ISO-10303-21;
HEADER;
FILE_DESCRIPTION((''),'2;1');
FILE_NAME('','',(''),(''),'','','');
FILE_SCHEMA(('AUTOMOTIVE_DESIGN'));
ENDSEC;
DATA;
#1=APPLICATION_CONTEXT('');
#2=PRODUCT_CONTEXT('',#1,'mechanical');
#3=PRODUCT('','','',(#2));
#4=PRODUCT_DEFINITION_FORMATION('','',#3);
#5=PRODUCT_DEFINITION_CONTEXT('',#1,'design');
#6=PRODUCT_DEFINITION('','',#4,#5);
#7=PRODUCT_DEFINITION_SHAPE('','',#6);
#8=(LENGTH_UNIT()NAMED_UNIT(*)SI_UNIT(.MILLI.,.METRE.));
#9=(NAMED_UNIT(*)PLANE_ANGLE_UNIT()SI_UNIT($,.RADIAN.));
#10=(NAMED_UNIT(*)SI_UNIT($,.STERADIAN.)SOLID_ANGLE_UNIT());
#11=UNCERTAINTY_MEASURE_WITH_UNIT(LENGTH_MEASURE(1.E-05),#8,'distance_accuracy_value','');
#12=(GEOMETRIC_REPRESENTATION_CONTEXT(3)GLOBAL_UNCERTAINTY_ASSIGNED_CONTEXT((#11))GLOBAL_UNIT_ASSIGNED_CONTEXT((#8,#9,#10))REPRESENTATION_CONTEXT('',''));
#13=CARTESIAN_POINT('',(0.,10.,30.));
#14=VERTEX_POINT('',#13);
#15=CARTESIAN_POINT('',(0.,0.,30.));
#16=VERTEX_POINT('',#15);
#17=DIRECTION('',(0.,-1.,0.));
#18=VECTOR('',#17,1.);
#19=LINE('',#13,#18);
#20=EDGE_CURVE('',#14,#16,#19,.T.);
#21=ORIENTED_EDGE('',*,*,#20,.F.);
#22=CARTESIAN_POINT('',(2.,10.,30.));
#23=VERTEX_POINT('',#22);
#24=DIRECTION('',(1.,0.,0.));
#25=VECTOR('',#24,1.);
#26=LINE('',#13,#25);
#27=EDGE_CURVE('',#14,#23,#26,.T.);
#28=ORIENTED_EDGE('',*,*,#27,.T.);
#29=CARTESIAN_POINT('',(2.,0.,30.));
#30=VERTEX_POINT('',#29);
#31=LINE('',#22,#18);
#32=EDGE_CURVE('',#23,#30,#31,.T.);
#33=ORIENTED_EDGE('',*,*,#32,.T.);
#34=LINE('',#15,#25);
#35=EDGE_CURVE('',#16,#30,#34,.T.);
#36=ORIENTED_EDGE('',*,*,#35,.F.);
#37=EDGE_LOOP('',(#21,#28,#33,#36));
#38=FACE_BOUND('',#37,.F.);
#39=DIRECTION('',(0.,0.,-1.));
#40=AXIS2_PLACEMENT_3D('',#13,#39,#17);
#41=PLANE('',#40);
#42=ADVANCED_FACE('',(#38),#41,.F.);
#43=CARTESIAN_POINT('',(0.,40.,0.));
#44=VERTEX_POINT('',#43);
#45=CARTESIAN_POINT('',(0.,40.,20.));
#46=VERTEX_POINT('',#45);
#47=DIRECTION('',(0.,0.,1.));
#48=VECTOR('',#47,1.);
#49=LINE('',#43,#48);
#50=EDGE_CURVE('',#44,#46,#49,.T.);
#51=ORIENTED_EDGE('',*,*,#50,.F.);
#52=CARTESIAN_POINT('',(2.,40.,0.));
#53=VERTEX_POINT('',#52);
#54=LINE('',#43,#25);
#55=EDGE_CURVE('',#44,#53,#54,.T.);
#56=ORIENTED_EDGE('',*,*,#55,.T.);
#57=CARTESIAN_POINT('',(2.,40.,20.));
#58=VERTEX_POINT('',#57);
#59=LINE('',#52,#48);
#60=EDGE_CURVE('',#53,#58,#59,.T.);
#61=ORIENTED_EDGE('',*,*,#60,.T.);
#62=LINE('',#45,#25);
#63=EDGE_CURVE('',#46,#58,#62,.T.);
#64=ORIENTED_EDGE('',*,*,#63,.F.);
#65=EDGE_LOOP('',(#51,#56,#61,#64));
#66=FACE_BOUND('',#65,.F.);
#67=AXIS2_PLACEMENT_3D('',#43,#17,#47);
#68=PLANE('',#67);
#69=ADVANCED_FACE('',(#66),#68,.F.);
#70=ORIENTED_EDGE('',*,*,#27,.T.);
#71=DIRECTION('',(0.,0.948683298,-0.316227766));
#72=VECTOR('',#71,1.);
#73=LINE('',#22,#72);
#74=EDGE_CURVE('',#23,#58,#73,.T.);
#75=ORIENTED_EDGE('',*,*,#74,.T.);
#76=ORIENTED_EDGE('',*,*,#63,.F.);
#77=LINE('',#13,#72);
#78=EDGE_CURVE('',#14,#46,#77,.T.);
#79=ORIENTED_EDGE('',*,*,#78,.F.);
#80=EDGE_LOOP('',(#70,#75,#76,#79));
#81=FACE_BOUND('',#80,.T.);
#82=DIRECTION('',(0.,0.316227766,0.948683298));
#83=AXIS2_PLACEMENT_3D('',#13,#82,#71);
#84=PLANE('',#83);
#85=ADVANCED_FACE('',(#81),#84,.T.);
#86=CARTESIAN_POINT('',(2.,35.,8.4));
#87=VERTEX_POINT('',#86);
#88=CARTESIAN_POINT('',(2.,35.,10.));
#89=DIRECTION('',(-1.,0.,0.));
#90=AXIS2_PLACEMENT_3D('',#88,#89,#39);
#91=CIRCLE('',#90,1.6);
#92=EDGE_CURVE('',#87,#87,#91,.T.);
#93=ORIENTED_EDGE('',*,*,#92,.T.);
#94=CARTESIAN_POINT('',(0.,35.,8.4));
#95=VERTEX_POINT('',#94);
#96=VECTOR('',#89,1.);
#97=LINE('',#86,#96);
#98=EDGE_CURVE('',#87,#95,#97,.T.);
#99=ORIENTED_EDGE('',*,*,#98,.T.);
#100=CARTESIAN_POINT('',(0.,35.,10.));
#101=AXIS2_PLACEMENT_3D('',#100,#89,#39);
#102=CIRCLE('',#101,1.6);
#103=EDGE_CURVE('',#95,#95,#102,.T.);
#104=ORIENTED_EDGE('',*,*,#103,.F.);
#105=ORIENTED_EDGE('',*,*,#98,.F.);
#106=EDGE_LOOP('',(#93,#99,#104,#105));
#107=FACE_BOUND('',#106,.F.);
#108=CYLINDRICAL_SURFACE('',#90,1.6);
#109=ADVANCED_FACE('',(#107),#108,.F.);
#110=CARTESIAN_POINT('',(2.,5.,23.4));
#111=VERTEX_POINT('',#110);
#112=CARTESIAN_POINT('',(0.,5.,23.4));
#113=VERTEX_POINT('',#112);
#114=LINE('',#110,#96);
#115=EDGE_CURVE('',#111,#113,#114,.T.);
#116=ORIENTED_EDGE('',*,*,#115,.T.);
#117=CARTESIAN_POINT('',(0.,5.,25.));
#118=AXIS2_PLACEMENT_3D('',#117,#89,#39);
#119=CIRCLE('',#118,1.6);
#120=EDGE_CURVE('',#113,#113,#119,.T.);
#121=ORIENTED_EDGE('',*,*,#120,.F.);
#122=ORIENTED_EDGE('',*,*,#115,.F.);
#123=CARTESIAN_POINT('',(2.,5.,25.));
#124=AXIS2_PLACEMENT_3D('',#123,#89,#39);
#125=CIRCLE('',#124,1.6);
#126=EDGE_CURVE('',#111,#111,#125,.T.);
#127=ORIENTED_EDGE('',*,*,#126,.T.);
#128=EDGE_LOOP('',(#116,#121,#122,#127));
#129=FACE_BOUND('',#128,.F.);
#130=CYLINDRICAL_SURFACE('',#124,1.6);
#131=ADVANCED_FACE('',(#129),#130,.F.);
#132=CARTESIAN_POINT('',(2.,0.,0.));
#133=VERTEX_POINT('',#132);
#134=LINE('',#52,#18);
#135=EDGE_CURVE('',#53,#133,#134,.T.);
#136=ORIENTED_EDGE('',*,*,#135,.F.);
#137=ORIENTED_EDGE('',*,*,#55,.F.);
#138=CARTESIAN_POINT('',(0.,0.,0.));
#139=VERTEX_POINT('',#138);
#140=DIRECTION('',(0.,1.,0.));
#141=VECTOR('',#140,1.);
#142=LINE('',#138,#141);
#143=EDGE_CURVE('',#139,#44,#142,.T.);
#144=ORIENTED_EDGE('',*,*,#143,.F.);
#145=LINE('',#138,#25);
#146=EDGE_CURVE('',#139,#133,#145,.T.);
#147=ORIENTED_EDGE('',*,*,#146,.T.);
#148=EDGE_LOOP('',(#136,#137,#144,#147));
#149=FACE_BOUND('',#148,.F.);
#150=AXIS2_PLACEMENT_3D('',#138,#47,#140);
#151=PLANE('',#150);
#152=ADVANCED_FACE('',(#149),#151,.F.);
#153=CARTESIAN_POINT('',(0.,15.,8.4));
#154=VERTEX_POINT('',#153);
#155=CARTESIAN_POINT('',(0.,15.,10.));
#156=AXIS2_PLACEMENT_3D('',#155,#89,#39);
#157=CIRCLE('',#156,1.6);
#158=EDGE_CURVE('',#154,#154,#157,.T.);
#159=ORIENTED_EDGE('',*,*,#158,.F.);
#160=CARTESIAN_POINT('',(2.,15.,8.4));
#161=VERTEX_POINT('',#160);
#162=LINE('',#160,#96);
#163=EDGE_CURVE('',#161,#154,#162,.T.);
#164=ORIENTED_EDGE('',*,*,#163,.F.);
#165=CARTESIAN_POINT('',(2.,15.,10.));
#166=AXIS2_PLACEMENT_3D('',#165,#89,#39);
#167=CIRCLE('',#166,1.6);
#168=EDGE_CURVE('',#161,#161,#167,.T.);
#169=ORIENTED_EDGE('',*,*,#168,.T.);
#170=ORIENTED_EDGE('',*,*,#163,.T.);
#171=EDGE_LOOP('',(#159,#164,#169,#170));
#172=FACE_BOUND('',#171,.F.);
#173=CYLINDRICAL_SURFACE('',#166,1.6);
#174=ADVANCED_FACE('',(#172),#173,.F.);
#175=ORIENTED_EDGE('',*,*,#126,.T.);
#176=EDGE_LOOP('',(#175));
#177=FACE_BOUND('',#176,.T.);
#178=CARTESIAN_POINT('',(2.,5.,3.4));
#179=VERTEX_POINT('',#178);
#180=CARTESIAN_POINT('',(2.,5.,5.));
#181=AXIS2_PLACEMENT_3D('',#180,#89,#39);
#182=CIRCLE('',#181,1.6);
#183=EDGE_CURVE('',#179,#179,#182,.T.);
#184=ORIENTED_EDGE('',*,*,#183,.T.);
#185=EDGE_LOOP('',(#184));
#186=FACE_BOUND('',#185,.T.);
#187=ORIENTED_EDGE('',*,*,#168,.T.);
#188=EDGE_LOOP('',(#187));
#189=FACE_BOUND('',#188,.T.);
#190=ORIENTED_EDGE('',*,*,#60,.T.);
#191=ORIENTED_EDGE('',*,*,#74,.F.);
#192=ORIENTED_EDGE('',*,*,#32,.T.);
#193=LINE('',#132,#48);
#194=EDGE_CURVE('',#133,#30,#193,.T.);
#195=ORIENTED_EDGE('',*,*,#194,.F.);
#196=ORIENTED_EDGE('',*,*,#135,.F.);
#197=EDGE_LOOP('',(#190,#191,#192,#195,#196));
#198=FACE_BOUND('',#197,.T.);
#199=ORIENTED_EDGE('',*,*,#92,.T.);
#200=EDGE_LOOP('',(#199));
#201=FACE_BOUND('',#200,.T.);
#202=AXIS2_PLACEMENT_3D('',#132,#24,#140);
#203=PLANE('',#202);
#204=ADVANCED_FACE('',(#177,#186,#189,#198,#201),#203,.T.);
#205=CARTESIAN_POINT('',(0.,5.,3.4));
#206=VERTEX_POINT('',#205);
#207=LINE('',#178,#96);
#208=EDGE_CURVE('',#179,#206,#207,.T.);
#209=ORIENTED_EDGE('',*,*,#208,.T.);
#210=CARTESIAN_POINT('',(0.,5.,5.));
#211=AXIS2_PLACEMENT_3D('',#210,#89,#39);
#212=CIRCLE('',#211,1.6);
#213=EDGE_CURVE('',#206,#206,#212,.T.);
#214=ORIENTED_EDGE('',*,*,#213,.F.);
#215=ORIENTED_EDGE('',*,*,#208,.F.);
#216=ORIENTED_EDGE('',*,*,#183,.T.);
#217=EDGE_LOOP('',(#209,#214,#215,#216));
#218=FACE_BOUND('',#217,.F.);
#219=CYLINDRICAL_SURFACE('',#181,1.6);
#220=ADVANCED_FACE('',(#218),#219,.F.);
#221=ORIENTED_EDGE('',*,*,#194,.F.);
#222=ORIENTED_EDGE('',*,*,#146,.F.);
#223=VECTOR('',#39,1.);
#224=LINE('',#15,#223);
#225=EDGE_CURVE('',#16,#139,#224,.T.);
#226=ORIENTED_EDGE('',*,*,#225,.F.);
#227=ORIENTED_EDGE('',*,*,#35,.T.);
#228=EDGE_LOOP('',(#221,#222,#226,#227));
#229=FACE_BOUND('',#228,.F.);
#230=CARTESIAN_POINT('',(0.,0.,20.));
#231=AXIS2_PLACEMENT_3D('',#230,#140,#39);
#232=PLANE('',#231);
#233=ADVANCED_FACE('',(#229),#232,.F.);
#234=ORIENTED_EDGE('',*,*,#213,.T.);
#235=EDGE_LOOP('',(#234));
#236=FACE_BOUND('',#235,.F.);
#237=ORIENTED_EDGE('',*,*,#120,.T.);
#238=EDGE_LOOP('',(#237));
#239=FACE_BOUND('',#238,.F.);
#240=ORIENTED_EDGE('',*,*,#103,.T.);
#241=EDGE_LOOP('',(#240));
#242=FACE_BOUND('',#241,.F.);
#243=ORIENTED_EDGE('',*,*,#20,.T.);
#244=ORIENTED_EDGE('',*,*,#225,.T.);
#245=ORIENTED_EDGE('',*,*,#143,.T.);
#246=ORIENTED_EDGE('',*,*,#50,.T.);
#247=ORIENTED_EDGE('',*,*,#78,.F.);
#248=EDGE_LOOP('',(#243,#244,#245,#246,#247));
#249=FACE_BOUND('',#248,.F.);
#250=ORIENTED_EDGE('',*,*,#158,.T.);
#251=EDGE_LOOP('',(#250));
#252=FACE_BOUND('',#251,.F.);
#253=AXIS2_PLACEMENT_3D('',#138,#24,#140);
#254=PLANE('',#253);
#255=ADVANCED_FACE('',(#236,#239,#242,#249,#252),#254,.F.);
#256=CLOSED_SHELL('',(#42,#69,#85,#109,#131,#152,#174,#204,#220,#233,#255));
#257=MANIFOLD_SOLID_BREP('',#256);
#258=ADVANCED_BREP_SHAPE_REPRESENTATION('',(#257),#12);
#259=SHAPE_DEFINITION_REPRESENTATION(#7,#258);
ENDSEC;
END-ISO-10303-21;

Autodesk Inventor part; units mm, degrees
ref_plane "YZ Plane" through (0, 0, 0) normal (1, 0, 0) x (0, 1, 0)
ref_plane "XZ Plane" through (0, 0, 0) normal (0, 1, 0) x (-1, 0, 0)
ref_plane "XY Plane" through (0, 0, 0) normal (0, 0, 1) x (1, 0, 0)
sketch "スケッチ1" plane through (0, 0, 0) normal (1, 0, 0) x (0, 1, 0)
  line L0 (0, 0) -> (40, 0)
  line L1 (40, 0) -> (40, 20)
  line L2 (40, 20) -> (0, 20) construction
  line L3 (0, 20) -> (0, 0)
  line L4 (0, 0) -> (10, 0)
  line L5 (10, 0) -> (10, 30) construction
  line L6 (10, 30) -> (0, 30)
  line L7 (0, 30) -> (0, 0)
  line L8 (10, 30) -> (40, 20)
  dimension "d0" = 20
  dimension "d1" = 10
  dimension "d2" = 30
  dimension "d3" = 30
extrude "押し出し1" add sketch "スケッチ1" along normal blind 2
sketch "スケッチ2" plane through (2, 0, 0) normal (1, 0, 0) x (0, 0, -1)
  line L0 (-30, 10) -> (-30, 0) projected
  line L1 (-30, 5) -> (0, 5) construction
  line L2 (0, 0) -> (0, 40) projected
  line L3 (0, 40) -> (-20, 40) projected
  line L4 (-10, 40) -> (-10, 0) construction
  line L5 (-30, 0) -> (0, 0) projected
  point P0 (-25, 5)
  point P1 (-5, 5)
  point P2 (-10, 15)
  point P3 (-10, 35)
  dimension "d6" = 20
  dimension "d7" = 5
  dimension "d8" = 20
  dimension "d9" = 5
hole "穴1" at (2, 5, 25) at (2, 5, 5) at (2, 15, 10) at (2, 35, 10) direction (-1, 0, 0) diameter 3.2 end through all
properties part number "FrameJoint1020" material "アルミニウム 6061"
